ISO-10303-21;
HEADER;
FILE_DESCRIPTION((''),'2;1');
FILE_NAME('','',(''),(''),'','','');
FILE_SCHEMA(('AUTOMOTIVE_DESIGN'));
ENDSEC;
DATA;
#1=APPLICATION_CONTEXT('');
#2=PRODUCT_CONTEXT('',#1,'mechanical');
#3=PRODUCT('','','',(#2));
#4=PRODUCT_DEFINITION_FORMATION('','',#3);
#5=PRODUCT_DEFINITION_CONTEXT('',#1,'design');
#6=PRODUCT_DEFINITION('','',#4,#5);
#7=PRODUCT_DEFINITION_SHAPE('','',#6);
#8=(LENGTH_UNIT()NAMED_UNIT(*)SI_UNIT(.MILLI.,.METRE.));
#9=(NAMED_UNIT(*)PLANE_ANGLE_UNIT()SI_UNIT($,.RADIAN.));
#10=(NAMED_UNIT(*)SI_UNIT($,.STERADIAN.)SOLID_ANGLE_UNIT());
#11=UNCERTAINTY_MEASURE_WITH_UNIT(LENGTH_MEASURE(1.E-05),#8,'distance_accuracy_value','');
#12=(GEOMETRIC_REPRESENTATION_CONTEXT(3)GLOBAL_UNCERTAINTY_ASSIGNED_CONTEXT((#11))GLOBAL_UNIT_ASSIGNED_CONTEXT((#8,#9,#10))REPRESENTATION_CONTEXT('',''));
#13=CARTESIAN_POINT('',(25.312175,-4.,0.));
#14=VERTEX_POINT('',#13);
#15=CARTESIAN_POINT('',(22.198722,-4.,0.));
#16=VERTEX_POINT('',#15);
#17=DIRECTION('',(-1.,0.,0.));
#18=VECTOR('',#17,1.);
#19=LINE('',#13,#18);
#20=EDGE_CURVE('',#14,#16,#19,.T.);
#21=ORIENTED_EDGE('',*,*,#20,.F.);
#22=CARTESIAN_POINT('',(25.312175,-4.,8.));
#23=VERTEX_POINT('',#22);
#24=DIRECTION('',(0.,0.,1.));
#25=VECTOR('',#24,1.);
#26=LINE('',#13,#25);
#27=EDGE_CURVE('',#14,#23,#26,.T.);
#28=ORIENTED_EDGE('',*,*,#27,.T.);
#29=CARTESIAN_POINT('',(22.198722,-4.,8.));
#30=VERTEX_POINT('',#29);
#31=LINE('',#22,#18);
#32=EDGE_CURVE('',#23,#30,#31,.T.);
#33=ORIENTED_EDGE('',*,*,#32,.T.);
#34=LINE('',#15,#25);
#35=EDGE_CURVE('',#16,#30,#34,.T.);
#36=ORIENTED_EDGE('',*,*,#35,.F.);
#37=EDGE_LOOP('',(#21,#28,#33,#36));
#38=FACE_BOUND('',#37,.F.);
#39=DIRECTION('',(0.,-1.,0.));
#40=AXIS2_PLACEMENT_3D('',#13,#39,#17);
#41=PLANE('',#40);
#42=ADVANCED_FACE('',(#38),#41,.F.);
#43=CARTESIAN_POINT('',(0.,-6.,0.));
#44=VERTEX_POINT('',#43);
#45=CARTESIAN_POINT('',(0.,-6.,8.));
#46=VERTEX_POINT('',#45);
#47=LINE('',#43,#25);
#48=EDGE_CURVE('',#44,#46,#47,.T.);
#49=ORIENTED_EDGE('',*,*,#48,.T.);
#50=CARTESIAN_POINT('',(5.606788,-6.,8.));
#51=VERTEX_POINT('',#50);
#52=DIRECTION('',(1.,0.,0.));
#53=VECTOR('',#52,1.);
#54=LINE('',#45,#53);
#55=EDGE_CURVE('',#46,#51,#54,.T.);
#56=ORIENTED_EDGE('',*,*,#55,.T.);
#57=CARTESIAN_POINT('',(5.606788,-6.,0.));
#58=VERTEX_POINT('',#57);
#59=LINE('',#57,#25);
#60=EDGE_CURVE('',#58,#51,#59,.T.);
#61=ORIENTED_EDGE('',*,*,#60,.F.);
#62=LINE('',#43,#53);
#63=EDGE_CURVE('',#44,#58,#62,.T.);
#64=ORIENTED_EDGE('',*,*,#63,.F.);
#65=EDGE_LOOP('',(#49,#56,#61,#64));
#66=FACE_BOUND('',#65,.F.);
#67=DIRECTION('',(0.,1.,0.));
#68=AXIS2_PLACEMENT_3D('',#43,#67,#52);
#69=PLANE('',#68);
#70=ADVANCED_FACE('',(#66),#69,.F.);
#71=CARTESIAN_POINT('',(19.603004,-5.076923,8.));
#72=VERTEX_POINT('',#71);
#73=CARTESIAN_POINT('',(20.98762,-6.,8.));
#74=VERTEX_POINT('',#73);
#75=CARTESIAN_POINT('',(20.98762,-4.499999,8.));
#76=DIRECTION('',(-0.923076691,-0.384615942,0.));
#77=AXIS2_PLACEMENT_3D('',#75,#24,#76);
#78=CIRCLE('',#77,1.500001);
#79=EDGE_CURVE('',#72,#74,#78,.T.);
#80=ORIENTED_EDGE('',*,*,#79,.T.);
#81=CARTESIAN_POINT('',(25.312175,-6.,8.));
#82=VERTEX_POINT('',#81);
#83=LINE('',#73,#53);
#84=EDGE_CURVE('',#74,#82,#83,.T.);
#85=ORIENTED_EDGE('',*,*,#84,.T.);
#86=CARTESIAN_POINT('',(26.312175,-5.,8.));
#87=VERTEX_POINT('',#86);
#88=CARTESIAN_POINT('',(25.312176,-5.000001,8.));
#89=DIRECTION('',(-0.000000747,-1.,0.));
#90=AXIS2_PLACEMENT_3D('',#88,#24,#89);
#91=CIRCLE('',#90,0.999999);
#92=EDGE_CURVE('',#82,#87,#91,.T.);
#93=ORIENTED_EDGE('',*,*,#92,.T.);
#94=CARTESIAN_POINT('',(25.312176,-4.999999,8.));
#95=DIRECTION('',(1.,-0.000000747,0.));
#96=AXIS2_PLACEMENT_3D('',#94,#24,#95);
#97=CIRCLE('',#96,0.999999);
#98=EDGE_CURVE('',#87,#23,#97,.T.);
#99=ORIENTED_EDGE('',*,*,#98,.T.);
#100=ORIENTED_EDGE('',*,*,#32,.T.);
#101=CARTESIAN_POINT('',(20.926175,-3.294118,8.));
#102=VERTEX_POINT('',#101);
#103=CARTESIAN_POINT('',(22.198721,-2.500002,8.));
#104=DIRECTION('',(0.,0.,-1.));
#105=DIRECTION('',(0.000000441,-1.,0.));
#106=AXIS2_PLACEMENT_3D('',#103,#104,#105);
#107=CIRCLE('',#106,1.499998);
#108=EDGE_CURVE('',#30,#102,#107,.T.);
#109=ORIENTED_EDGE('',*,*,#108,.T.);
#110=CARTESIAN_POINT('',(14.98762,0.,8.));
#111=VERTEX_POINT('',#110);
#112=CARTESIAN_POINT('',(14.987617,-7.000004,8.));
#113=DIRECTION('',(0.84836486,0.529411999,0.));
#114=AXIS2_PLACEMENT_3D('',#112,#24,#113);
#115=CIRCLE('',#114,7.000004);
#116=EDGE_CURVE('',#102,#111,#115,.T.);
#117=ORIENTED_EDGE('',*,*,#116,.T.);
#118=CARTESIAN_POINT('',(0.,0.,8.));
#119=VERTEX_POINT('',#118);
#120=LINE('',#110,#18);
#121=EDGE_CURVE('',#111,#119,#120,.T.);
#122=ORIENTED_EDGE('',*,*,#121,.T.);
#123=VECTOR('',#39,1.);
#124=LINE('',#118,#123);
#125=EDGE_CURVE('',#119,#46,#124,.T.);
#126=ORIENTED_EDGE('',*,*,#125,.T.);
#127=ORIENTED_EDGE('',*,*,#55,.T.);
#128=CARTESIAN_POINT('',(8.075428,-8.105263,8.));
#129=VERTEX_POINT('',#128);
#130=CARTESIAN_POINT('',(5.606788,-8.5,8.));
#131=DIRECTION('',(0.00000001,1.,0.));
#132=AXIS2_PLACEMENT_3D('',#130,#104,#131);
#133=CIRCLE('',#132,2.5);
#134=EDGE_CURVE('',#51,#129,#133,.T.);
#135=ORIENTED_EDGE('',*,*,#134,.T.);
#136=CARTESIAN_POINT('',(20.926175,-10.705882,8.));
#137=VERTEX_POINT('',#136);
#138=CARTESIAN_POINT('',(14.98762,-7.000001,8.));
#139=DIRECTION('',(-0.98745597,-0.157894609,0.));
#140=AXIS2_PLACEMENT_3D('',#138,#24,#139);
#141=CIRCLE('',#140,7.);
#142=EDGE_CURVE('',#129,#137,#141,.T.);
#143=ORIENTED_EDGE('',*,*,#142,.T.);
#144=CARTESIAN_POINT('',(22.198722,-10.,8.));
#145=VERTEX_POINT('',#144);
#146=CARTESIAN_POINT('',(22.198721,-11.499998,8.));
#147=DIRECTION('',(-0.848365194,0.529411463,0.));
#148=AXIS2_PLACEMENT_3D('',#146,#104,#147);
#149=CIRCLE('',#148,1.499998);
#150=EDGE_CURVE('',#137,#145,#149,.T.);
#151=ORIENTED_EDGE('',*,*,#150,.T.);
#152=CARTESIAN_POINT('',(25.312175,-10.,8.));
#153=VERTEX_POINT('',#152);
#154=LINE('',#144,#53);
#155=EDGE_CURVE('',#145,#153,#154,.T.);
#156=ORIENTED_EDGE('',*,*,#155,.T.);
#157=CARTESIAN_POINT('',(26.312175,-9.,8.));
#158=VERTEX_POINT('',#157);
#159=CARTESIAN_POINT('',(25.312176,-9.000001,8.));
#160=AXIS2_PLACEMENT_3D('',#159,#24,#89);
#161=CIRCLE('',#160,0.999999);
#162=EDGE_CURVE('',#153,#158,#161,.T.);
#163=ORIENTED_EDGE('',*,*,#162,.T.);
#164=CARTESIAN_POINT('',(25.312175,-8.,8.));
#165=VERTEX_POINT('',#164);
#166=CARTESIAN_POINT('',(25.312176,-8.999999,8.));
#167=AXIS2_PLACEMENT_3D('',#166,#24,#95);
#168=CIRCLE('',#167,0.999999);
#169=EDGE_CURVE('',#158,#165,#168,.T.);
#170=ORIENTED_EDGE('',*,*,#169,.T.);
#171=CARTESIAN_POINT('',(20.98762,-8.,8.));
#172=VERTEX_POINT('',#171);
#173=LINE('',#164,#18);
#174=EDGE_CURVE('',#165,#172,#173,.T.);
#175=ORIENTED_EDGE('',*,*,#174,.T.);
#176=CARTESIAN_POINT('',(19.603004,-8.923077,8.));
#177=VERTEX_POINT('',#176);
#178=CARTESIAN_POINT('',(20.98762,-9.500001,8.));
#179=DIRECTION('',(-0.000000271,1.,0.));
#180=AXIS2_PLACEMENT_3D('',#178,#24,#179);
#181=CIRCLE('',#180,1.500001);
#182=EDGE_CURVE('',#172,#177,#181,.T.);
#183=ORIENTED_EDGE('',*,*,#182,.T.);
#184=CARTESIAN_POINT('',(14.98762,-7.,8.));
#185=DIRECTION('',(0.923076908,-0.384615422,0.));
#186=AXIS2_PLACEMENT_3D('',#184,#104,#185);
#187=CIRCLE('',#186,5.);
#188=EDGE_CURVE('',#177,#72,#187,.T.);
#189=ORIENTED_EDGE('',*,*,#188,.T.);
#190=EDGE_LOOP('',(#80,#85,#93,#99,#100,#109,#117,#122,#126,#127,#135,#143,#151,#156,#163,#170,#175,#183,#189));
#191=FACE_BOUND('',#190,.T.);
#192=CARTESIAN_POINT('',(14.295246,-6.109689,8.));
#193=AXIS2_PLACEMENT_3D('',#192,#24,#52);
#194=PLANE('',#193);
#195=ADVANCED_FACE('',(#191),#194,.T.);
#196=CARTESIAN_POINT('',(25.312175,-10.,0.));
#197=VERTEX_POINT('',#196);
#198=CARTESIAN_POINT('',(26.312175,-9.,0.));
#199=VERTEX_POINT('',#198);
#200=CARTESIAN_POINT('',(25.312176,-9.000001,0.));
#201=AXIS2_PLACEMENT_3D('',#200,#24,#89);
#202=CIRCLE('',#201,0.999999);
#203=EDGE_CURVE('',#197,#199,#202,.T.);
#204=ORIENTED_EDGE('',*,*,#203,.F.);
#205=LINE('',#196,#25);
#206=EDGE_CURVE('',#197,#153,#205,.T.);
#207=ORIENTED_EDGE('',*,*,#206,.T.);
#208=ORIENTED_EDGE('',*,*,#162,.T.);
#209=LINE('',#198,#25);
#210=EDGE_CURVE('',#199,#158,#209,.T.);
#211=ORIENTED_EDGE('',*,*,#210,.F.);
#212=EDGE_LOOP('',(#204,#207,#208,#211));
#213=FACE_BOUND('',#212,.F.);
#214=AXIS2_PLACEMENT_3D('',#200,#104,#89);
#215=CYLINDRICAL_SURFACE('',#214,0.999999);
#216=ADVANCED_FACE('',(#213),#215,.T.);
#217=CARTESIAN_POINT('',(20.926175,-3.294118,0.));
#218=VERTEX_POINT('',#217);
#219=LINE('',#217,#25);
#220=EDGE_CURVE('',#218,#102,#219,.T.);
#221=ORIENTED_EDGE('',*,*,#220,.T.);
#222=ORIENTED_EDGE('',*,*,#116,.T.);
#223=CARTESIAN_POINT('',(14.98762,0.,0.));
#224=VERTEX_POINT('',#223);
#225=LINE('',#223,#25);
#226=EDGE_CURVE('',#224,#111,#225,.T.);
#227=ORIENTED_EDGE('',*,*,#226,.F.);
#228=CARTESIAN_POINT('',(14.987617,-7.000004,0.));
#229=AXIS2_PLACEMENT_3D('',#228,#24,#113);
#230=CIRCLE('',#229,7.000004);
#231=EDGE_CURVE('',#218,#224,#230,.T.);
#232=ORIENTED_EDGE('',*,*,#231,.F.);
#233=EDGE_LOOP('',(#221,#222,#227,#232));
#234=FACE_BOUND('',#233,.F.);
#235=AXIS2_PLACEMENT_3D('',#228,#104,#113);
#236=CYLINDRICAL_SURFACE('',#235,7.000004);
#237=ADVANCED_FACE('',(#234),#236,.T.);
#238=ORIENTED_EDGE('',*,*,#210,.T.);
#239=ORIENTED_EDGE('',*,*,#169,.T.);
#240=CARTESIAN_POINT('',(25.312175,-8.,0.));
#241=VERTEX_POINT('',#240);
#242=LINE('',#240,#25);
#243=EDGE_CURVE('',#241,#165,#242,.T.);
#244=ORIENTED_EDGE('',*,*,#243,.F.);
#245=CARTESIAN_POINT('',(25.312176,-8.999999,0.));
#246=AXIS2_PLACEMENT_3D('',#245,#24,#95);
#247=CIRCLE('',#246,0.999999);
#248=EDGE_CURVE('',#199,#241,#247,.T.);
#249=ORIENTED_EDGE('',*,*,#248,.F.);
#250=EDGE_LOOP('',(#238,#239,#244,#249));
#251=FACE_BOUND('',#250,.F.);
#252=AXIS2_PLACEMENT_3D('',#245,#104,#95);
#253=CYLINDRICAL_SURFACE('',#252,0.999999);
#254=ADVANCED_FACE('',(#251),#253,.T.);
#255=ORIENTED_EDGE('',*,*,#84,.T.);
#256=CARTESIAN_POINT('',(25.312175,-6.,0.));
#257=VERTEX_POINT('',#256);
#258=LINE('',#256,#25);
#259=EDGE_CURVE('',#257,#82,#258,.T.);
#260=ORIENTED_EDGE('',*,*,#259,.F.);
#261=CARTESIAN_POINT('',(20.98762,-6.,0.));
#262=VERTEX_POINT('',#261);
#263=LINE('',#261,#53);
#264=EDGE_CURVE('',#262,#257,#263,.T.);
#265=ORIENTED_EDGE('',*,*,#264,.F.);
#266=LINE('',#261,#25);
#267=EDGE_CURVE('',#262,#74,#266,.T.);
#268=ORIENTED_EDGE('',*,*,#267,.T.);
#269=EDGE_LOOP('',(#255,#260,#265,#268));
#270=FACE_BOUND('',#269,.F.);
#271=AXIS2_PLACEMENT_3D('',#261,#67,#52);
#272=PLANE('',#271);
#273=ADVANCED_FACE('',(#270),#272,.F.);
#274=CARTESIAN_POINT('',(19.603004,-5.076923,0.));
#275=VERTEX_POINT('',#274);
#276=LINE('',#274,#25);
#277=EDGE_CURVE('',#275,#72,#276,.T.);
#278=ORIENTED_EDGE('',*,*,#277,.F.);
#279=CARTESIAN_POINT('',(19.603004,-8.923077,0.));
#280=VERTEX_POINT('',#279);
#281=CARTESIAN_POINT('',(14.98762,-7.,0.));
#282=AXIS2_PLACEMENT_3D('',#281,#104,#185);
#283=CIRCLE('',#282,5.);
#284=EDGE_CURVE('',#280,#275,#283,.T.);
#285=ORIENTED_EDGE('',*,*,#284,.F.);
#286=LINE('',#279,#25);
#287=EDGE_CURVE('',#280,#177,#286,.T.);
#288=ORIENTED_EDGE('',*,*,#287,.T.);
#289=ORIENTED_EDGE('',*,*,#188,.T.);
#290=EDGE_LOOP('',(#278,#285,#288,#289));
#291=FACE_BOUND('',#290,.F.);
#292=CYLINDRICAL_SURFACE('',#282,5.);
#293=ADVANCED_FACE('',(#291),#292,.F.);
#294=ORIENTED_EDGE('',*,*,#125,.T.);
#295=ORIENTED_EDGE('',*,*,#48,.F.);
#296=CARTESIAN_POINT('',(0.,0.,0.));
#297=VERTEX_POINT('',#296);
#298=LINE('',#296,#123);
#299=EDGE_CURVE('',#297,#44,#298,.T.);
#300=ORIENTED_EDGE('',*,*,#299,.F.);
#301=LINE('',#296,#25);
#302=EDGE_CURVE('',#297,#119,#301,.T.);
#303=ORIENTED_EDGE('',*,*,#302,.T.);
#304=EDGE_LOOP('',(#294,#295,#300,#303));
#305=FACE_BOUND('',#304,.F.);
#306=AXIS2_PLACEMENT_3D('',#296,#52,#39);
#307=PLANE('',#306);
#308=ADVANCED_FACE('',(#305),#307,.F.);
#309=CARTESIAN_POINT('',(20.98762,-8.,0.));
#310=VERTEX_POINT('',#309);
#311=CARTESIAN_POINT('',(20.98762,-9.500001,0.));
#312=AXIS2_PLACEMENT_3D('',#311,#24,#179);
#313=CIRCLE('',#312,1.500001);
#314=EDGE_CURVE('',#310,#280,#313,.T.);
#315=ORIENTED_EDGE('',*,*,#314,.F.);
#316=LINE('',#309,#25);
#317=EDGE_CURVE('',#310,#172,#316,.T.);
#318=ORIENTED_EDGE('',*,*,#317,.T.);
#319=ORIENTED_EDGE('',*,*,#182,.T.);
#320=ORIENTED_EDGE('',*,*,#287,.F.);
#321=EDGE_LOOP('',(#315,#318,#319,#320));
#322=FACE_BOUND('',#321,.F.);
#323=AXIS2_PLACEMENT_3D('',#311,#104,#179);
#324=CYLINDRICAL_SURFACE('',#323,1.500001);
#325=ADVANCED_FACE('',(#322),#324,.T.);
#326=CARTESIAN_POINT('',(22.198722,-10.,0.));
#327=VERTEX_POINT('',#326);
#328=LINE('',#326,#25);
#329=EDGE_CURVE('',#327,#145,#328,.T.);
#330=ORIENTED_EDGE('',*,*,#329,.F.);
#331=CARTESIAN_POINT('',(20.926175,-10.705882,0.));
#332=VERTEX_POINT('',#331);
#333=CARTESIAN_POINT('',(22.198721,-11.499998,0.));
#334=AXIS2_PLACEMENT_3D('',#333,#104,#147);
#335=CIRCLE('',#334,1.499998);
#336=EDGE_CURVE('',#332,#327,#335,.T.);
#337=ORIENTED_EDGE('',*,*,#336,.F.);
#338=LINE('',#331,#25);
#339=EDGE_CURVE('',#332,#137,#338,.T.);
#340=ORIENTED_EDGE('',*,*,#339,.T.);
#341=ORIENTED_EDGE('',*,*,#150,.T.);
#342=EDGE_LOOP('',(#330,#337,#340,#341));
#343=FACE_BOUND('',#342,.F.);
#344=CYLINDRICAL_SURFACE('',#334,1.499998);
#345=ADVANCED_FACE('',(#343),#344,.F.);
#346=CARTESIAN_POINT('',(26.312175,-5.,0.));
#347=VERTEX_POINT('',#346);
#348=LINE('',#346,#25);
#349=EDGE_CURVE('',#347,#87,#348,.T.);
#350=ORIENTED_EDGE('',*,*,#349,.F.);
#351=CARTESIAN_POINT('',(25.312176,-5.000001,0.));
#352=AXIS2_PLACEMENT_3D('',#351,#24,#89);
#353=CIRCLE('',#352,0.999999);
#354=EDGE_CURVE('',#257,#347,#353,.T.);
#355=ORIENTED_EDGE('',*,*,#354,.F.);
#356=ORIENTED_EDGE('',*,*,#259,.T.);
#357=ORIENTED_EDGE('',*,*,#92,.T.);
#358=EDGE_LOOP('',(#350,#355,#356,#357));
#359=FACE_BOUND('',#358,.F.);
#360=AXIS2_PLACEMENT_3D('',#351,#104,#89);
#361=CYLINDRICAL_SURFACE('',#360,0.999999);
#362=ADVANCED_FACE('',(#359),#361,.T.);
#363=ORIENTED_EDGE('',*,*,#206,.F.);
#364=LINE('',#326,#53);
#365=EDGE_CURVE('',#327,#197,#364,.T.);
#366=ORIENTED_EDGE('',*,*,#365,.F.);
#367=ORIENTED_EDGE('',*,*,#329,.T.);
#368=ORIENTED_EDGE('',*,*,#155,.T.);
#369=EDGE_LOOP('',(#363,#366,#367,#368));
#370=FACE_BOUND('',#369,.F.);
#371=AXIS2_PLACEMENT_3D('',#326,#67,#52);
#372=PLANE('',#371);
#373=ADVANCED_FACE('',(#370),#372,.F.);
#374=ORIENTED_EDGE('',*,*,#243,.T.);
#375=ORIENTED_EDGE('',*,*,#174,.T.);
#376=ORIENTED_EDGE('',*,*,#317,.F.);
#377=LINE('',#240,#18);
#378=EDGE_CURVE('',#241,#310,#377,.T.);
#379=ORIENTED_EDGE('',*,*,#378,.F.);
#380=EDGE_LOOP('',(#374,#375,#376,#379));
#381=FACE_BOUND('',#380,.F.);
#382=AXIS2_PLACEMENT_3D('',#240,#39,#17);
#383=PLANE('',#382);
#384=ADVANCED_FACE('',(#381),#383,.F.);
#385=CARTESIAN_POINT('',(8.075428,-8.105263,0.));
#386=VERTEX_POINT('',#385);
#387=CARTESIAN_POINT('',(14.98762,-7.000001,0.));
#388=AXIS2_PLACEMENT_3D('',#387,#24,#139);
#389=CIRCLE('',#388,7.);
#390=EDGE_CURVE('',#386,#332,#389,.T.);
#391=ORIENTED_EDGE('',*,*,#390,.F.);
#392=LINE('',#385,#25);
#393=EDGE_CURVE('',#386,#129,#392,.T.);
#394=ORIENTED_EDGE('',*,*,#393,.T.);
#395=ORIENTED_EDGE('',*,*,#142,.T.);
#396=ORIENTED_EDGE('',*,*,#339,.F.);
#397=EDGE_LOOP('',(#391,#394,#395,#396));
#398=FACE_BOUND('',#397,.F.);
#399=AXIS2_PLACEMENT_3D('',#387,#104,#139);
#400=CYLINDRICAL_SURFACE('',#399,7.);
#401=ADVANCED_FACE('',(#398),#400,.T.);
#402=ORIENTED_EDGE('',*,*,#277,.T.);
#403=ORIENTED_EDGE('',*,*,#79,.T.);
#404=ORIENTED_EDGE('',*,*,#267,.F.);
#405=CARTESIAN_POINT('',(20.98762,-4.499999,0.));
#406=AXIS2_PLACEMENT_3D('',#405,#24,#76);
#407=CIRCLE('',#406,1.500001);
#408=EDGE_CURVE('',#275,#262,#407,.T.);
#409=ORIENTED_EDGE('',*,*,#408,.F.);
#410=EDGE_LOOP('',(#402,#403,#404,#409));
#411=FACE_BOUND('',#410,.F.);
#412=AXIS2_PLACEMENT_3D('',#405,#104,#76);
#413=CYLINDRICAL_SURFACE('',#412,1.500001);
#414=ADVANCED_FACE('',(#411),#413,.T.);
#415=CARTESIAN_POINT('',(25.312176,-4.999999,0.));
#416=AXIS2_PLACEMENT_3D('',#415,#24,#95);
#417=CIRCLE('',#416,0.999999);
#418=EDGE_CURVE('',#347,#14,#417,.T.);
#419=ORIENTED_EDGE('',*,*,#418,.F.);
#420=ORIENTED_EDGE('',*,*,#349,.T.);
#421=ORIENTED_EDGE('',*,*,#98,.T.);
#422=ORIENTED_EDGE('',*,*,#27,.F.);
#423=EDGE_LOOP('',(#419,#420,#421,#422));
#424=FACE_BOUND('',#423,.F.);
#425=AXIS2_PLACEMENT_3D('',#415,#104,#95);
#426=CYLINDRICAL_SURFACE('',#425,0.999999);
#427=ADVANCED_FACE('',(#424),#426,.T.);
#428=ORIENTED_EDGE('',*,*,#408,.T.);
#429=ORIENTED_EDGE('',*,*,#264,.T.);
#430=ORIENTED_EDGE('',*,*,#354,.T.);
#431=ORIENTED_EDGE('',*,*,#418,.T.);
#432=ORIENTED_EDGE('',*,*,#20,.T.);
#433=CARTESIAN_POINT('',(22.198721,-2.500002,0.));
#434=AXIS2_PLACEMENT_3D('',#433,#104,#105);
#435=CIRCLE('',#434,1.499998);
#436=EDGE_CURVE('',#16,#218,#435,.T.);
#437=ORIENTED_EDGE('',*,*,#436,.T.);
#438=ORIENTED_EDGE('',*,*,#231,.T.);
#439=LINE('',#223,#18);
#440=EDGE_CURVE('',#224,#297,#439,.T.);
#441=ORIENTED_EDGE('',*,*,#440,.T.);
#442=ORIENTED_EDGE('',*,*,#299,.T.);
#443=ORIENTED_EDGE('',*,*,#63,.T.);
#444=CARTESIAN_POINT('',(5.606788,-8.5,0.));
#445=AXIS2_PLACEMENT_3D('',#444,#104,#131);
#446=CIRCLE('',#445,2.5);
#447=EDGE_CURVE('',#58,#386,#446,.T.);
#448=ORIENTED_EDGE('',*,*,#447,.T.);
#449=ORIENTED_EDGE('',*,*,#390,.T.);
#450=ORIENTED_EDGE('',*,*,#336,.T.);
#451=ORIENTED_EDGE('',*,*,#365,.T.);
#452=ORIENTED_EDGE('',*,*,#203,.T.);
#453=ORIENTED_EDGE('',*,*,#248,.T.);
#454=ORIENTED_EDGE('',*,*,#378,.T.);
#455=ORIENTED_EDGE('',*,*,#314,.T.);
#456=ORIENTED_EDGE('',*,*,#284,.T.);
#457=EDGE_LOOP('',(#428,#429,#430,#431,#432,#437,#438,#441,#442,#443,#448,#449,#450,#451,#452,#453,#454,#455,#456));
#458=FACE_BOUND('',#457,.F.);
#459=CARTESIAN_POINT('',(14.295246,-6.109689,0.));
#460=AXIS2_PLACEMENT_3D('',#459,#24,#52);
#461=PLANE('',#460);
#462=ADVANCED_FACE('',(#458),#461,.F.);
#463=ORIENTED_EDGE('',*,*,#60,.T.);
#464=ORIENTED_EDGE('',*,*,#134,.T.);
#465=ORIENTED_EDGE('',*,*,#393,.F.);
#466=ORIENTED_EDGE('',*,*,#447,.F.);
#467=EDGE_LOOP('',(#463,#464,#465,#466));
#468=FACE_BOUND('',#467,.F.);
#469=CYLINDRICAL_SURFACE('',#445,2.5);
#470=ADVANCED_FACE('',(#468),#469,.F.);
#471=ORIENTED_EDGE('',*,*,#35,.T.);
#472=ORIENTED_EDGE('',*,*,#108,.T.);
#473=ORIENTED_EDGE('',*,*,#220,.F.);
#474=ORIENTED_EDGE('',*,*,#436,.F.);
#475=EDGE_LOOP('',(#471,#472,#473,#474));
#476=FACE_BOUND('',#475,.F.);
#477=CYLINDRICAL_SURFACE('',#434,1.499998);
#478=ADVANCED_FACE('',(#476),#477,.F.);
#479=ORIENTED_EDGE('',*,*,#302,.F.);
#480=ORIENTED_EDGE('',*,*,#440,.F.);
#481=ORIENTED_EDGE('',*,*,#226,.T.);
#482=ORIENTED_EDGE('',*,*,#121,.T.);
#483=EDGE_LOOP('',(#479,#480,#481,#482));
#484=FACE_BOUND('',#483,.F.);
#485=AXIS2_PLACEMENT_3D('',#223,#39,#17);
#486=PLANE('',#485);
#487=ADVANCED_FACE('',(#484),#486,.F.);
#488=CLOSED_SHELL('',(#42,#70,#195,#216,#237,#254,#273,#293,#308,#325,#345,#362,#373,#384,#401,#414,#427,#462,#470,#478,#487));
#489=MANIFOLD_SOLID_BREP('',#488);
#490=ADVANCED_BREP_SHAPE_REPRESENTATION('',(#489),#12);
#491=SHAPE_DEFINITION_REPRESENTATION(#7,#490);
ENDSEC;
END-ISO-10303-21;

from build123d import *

# Parameters (mm, degrees)
F1_DEPTH = 8


with BuildPart() as f1:
    # F0 (on Top) → F1 (new body)
    with BuildSketch(Plane.XY):
        with BuildLine():
            Line((8, 0), (0, 0))
            Line((0, 0), (0, -6))
            Line((0, -6), (5.606788, -6))
            ThreePointArc((5.606788, -6), (7.229002, -6.597785), (8.075428, -8.105263))
            ThreePointArc((8.075428, -8.105263), (13.599168, -13.860919), (20.926175, -10.705882))
            ThreePointArc((20.926175, -10.705882), (21.471115, -10.188288), (22.198722, -10))
            Line((22.198722, -10), (25.312175, -10))
            ThreePointArc((25.312175, -10), (26.019282, -9.707107), (26.312175, -9))
            ThreePointArc((26.312175, -9), (26.019282, -8.292893), (25.312175, -8))
            Line((25.312175, -8), (21.915823, -8))
            Line((21.915823, -8), (20.98762, -8))
            ThreePointArc((20.98762, -8), (20.155569, -8.251925), (19.603004, -8.923077))
            ThreePointArc((19.603004, -8.923077), (9.98762, -7), (19.603004, -5.076923))
            ThreePointArc((19.603004, -5.076923), (20.155569, -5.748075), (20.98762, -6))
            Line((20.98762, -6), (21.915823, -6))
            Line((21.915823, -6), (25.312175, -6))
            ThreePointArc((25.312175, -6), (26.019282, -5.707107), (26.312175, -5))
            ThreePointArc((26.312175, -5), (26.019282, -4.292893), (25.312175, -4))
            Line((25.312175, -4), (22.198722, -4))
            ThreePointArc((22.198722, -4), (21.471115, -3.811712), (20.926175, -3.294118))
            ThreePointArc((20.926175, -3.294118), (18.383118, -0.878678), (14.98762, 0))
            Line((14.98762, 0), (8, 0))
        make_face()
    extrude(amount=F1_DEPTH)


solid = f1.part
